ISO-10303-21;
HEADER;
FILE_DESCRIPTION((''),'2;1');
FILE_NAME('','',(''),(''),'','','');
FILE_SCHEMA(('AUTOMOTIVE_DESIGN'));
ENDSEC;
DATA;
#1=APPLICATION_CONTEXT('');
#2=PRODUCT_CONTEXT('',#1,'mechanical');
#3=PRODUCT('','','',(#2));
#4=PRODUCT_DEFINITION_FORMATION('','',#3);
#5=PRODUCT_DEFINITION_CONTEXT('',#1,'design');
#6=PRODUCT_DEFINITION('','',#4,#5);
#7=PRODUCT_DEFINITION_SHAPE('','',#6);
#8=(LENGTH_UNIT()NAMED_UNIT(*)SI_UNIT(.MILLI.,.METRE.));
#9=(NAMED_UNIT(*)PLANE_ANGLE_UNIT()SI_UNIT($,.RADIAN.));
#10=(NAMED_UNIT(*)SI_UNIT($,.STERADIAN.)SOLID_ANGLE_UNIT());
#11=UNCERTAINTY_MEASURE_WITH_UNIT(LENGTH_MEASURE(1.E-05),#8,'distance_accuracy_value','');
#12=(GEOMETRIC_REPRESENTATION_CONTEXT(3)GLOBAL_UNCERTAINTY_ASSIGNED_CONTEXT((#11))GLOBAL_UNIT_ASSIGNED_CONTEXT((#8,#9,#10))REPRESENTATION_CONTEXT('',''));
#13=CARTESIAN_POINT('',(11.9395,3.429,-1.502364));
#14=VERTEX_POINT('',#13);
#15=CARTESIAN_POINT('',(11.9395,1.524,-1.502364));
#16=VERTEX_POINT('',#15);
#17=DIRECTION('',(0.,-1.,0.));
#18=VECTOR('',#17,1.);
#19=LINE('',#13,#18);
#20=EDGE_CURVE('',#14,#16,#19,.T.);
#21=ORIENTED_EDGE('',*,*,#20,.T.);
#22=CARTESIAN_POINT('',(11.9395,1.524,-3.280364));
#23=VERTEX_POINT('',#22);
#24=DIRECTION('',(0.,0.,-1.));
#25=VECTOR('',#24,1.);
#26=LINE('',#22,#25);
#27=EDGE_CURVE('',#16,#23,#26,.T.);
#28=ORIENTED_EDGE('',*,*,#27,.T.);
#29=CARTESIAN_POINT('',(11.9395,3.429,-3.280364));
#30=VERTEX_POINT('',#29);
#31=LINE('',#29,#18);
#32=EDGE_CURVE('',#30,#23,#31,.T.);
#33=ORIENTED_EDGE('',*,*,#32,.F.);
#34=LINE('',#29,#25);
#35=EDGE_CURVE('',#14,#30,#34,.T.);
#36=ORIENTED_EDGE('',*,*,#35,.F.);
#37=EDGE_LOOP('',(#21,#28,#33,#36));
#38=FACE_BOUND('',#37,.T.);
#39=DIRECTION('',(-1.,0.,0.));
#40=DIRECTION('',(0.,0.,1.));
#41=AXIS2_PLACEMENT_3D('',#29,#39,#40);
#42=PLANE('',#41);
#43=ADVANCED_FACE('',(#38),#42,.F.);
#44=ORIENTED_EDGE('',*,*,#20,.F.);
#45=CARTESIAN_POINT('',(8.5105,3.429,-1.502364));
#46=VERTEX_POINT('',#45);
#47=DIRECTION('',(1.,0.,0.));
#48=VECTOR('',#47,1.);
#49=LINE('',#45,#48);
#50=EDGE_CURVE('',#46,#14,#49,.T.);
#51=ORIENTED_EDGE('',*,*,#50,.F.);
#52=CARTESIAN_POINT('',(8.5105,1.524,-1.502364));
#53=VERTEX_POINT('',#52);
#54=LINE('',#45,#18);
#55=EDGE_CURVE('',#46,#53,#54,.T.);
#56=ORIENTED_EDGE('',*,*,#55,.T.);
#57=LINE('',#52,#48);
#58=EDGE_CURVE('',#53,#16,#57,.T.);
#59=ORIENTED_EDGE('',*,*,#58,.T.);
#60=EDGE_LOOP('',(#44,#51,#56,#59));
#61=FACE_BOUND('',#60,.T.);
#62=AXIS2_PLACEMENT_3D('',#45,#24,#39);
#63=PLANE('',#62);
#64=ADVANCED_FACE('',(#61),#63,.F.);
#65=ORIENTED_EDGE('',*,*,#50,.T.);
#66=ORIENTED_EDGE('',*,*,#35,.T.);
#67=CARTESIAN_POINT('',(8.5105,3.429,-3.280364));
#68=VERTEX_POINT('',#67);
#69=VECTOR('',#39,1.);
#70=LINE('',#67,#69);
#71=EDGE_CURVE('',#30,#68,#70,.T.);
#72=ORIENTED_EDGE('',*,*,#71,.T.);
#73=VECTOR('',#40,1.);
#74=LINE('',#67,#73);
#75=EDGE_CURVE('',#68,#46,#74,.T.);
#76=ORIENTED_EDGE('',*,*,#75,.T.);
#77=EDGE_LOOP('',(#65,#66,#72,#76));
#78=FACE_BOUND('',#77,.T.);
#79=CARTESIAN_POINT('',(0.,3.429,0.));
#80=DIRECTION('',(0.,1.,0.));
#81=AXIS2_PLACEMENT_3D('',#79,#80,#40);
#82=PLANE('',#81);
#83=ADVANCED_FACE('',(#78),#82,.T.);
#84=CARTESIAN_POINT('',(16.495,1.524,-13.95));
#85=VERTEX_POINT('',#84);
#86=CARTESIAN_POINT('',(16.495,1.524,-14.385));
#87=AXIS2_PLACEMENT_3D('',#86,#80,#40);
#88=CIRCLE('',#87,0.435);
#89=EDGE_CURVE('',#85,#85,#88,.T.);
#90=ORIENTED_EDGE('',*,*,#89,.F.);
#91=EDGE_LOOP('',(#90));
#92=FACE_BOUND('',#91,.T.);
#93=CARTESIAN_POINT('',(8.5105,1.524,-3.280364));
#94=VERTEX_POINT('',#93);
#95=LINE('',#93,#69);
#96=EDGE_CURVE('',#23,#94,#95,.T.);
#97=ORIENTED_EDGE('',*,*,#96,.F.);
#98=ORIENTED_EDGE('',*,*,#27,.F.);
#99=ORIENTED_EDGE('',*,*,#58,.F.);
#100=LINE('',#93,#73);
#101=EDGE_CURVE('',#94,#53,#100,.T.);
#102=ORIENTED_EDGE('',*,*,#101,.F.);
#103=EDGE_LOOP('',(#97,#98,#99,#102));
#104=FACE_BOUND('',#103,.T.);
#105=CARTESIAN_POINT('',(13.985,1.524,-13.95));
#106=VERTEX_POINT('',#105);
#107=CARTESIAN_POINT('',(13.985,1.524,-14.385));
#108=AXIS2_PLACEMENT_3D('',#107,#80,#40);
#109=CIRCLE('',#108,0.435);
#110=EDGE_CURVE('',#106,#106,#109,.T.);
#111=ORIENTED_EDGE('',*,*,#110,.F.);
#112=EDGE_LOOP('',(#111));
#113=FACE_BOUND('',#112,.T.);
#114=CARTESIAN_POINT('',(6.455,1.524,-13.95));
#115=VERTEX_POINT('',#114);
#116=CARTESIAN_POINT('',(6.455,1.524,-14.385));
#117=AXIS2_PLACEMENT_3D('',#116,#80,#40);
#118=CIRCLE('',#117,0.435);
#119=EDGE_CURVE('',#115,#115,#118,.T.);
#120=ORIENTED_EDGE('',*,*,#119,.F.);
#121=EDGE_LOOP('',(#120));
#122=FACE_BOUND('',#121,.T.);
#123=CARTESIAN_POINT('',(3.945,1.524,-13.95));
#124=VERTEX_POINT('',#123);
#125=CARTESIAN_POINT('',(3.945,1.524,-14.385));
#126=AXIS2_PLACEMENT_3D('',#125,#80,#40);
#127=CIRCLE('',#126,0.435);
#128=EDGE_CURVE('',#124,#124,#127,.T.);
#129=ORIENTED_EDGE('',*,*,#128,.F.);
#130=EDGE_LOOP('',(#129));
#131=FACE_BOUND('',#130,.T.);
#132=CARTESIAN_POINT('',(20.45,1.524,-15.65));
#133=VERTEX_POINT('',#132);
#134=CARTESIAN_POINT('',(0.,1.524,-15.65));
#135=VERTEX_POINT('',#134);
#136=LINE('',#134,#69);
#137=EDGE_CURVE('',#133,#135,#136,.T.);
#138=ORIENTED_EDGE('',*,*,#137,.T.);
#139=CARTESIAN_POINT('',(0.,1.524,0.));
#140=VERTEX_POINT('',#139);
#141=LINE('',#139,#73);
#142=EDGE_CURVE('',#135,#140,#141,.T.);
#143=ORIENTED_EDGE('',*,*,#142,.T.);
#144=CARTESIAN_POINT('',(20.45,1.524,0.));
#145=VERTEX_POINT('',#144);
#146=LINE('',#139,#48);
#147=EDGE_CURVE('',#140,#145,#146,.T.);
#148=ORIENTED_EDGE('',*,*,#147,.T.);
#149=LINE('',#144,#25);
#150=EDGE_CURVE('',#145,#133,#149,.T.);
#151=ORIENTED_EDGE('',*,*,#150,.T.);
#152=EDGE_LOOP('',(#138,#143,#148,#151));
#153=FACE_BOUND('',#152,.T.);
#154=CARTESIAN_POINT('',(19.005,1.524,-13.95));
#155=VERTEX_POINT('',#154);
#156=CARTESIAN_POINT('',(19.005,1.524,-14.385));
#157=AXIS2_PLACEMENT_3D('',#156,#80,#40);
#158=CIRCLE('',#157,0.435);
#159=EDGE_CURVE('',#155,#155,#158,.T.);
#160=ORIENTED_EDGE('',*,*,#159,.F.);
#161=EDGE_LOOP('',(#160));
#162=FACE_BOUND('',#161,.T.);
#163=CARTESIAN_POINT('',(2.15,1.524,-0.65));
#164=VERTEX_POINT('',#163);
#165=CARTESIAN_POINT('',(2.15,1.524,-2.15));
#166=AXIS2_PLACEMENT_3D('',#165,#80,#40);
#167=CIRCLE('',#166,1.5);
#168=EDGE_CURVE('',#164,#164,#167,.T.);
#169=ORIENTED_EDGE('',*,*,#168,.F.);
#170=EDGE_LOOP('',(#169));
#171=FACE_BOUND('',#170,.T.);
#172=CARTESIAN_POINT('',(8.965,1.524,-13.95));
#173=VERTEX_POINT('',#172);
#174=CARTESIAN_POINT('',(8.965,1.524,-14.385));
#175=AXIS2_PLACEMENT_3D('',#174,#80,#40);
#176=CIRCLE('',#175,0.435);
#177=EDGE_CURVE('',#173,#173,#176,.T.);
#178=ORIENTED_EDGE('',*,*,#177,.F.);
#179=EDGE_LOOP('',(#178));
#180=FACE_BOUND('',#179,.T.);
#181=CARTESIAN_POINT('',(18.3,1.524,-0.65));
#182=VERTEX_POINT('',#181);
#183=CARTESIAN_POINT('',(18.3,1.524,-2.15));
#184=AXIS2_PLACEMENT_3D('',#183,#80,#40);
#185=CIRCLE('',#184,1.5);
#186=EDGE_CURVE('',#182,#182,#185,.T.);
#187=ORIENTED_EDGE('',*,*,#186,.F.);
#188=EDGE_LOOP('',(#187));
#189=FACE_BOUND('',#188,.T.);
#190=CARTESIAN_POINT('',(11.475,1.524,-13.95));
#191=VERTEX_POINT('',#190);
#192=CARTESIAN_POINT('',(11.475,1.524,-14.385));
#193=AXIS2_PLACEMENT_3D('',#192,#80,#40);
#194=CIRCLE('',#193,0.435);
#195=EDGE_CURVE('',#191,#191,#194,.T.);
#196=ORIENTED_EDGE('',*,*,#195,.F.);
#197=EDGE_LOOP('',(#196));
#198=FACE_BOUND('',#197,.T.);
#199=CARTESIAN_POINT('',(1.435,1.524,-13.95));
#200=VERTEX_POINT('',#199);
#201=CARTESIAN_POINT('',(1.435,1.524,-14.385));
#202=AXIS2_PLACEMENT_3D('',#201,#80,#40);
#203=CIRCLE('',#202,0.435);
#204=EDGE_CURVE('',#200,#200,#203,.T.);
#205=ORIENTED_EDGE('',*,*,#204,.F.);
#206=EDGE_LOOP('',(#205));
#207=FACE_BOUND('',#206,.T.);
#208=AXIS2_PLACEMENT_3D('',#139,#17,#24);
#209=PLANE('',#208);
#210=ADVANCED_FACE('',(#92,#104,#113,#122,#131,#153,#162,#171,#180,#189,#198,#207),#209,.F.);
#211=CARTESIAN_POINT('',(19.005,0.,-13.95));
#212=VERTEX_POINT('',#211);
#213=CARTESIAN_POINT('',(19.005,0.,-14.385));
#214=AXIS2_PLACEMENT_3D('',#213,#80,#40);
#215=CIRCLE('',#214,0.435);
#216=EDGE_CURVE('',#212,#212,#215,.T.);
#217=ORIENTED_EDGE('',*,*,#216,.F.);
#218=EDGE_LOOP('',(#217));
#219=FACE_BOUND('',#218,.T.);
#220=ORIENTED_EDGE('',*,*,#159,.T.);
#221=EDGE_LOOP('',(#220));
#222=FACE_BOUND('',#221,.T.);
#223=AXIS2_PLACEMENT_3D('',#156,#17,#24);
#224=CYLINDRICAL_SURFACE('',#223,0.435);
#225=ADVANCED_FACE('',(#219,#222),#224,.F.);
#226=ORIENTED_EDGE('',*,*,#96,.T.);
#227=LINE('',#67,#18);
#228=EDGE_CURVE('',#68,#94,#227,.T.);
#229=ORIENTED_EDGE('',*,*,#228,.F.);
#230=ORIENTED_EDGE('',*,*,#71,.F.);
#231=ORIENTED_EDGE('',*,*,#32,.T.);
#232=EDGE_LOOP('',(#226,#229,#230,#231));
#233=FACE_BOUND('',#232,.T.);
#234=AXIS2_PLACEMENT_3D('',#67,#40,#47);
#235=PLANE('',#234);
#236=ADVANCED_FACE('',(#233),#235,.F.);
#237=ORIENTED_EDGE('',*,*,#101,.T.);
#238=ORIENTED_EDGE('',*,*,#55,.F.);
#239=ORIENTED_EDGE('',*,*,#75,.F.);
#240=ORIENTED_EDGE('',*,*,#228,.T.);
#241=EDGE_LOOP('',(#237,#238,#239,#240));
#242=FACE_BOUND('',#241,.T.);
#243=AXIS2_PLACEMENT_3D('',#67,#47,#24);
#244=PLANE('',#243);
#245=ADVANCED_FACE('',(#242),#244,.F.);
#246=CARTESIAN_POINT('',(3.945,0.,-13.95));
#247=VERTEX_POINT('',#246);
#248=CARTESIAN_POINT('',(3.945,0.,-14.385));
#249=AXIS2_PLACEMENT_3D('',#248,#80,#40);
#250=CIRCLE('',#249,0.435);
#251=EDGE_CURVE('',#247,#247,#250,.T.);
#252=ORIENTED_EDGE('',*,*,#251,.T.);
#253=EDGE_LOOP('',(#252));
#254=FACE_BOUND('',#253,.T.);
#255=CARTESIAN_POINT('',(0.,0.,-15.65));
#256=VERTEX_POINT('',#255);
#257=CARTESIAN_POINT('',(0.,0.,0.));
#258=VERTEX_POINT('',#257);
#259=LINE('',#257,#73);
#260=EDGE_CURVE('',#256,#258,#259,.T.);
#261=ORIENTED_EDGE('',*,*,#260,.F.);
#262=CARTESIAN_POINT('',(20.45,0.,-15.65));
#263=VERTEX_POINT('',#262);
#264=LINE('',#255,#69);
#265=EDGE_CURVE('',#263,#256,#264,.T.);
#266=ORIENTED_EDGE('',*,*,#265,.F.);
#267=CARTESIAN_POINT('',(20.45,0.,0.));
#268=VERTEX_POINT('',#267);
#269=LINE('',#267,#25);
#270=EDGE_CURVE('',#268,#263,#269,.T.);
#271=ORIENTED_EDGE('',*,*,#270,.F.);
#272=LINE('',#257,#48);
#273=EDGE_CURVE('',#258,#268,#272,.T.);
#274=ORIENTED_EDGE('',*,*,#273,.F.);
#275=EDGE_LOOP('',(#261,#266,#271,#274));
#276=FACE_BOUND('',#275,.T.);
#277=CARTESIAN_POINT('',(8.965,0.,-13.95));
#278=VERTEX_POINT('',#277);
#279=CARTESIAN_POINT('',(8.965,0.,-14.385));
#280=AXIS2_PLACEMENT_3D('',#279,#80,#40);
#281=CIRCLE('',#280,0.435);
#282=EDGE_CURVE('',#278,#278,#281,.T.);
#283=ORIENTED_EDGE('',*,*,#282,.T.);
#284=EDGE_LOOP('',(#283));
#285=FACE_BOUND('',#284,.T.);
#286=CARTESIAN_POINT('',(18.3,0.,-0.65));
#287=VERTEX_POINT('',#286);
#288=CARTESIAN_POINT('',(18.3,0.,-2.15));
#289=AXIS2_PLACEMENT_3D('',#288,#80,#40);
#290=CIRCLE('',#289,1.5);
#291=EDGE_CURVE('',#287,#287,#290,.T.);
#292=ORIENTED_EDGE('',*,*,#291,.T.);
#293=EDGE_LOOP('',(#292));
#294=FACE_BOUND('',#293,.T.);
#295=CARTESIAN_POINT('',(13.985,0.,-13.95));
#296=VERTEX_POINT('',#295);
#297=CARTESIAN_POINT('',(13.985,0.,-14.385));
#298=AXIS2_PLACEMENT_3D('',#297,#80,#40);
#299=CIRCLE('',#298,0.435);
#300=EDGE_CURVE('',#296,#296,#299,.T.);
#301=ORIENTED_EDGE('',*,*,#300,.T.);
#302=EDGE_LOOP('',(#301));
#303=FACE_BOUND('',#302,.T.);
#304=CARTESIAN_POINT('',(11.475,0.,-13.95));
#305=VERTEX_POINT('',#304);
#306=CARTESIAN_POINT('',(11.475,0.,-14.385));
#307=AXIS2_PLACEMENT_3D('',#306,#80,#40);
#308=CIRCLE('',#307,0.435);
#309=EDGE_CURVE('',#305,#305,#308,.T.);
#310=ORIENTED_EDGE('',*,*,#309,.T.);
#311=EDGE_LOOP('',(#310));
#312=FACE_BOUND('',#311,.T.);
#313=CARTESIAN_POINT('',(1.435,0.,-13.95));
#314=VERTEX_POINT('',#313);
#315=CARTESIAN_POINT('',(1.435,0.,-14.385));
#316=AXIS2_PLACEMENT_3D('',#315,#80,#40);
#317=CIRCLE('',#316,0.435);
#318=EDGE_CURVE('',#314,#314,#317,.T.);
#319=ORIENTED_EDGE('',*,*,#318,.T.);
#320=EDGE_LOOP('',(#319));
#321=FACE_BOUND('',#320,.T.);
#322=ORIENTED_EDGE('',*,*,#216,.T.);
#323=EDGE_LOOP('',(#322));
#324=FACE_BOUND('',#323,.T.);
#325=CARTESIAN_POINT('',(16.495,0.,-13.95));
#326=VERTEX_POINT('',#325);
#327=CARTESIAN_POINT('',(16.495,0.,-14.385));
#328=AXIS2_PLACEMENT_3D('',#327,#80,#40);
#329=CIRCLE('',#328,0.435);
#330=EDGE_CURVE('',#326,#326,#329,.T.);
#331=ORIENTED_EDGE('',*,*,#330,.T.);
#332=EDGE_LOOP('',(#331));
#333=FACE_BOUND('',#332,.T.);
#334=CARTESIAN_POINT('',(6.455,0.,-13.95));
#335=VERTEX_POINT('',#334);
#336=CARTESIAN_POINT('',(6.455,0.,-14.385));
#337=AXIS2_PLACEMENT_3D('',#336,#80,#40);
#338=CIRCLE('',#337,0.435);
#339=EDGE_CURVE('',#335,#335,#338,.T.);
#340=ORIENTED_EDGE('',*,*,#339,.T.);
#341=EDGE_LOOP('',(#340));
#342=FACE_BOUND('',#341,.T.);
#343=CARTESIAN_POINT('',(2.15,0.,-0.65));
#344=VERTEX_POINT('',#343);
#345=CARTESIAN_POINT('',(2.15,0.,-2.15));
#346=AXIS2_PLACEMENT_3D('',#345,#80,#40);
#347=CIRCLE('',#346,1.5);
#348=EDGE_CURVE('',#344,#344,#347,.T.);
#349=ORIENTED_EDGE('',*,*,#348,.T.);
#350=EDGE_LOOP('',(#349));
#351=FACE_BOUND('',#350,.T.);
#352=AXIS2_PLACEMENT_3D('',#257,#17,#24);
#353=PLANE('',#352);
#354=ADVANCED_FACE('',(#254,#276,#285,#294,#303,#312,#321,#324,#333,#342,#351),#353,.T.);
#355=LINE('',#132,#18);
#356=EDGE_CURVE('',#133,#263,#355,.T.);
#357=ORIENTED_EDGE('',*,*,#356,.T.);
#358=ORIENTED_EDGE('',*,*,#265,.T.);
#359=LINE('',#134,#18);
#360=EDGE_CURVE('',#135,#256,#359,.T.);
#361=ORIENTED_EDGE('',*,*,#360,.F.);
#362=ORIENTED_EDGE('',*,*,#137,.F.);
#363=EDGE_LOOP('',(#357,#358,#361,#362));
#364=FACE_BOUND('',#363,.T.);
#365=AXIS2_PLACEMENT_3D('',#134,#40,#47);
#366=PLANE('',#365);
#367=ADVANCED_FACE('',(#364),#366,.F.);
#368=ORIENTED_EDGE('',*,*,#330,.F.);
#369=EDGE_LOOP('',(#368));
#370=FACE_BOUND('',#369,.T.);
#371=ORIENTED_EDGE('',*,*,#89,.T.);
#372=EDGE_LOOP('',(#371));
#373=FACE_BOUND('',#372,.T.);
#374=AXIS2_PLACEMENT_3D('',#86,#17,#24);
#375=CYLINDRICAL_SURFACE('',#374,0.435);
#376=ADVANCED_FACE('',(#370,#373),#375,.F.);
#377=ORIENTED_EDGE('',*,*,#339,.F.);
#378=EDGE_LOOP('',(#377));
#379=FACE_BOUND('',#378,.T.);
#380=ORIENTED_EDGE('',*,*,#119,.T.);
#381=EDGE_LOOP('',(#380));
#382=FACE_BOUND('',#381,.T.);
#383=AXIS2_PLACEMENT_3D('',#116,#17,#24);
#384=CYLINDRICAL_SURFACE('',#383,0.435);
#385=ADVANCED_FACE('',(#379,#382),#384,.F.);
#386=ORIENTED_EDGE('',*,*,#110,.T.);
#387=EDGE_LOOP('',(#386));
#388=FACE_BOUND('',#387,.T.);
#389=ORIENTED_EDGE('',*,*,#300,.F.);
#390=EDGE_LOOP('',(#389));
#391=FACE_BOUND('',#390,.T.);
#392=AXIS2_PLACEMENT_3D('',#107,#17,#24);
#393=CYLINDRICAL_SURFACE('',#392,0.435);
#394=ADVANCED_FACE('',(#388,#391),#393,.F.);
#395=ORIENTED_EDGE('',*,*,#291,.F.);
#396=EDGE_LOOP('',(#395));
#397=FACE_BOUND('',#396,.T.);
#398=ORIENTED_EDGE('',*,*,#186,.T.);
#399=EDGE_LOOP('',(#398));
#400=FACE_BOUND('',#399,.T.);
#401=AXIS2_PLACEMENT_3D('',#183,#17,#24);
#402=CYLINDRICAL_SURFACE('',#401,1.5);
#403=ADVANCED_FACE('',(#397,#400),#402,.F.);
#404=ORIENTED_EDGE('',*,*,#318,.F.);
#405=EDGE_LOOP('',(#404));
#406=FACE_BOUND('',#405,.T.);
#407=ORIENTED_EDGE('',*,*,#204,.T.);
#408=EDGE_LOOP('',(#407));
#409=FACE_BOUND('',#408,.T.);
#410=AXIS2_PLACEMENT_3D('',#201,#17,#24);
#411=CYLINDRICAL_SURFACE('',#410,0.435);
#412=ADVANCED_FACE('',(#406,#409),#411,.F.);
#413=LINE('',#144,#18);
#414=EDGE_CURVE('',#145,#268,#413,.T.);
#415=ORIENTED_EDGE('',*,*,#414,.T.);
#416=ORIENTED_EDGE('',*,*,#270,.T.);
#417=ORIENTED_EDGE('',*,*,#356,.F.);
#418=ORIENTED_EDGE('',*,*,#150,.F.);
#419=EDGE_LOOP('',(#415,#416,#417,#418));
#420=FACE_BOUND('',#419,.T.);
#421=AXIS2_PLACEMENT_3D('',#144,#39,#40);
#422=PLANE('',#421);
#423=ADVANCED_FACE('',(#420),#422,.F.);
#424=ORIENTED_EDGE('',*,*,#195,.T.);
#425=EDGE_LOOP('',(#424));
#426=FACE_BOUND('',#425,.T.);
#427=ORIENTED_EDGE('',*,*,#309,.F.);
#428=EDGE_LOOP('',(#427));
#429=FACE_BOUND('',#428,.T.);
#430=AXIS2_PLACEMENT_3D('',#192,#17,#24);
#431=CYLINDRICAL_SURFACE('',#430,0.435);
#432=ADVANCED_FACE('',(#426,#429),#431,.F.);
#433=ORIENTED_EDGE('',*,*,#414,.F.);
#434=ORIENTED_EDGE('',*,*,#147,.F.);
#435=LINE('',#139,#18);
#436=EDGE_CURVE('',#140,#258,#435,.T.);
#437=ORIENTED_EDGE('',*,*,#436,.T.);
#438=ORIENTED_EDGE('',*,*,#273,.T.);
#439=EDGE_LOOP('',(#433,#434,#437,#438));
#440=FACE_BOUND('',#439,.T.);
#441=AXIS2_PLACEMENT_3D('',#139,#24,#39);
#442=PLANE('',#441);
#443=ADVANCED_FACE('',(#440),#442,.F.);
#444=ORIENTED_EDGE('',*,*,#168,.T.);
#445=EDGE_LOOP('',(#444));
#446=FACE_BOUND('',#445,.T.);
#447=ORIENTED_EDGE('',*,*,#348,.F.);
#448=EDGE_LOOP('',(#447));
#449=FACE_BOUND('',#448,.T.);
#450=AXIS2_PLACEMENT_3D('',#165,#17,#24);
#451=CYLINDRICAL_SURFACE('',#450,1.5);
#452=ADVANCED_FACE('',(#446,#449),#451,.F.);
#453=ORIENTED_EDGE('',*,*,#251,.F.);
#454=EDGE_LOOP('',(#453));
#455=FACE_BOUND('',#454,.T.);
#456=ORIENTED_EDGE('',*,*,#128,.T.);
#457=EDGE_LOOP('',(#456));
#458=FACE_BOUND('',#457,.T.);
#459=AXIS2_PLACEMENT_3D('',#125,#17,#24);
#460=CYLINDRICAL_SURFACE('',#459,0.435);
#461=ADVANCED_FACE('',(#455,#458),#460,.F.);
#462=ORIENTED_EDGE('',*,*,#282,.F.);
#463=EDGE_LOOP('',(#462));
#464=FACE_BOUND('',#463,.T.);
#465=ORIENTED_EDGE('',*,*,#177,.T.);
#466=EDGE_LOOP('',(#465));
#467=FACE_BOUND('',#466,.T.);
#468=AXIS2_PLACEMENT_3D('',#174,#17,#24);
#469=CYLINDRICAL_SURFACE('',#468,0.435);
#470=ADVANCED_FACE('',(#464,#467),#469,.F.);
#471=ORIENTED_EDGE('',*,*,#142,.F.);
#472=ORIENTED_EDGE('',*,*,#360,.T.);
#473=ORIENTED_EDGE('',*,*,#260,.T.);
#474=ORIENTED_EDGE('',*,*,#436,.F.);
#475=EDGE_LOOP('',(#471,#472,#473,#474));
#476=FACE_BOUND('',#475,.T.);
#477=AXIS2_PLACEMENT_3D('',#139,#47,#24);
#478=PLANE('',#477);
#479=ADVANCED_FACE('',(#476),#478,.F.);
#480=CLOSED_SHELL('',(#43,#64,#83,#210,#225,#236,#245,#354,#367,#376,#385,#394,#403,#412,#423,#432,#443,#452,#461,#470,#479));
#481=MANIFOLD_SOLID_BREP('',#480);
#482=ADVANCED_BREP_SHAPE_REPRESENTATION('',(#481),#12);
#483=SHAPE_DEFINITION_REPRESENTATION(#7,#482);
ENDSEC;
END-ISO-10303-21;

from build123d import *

# Parameters (mm, degrees)
SKETCH1_W           = 20.45
SKETCH1_H           = 15.65
SKETCH1_R           = 1.5
SKETCH1_R_2         = 0.435
BOSS_EXTRUDE1_DEPTH = 1.524
SKETCH2_W           = 3.429
SKETCH2_H           = 1.778
BOSS_EXTRUDE2_DEPTH = 1.905


with BuildPart() as part:
    # Sketch1 → Boss-Extrude1 (new body)
    with BuildSketch(Plane(origin=(0, 0, 0), x_dir=(1, 0, 0), z_dir=(0, 1, 0))):
        with Locations((10.225, 7.825)):
            Rectangle(SKETCH1_W, SKETCH1_H)
        with Locations((2.15, 2.15)):
            Circle(SKETCH1_R, mode=Mode.SUBTRACT)
        with Locations((18.3, 2.15)):
            Circle(SKETCH1_R, mode=Mode.SUBTRACT)
        with Locations((1.435, 14.385)):
            Circle(SKETCH1_R_2, mode=Mode.SUBTRACT)
        with Locations((8.965, 14.385)):
            Circle(SKETCH1_R_2, mode=Mode.SUBTRACT)
        with Locations((6.455, 14.385)):
            Circle(SKETCH1_R_2, mode=Mode.SUBTRACT)
        with Locations((13.985, 14.385)):
            Circle(SKETCH1_R_2, mode=Mode.SUBTRACT)
        with Locations((11.475, 14.385)):
            Circle(SKETCH1_R_2, mode=Mode.SUBTRACT)
        with Locations((3.945, 14.385)):
            Circle(SKETCH1_R_2, mode=Mode.SUBTRACT)
        with Locations((16.495, 14.385)):
            Circle(SKETCH1_R_2, mode=Mode.SUBTRACT)
        with Locations((19.005, 14.385)):
            Circle(SKETCH1_R_2, mode=Mode.SUBTRACT)
    extrude(amount=BOSS_EXTRUDE1_DEPTH)

    # Sketch2 → Boss-Extrude2 (add)
    with BuildSketch(Plane(origin=(0, 1.524, 0), x_dir=(1, 0, 0), z_dir=(0, 1, 0))):
        with Locations((10.225, 2.391364263)):
            Rectangle(SKETCH2_W, SKETCH2_H)
    extrude(amount=BOSS_EXTRUDE2_DEPTH)


solid = part.part
